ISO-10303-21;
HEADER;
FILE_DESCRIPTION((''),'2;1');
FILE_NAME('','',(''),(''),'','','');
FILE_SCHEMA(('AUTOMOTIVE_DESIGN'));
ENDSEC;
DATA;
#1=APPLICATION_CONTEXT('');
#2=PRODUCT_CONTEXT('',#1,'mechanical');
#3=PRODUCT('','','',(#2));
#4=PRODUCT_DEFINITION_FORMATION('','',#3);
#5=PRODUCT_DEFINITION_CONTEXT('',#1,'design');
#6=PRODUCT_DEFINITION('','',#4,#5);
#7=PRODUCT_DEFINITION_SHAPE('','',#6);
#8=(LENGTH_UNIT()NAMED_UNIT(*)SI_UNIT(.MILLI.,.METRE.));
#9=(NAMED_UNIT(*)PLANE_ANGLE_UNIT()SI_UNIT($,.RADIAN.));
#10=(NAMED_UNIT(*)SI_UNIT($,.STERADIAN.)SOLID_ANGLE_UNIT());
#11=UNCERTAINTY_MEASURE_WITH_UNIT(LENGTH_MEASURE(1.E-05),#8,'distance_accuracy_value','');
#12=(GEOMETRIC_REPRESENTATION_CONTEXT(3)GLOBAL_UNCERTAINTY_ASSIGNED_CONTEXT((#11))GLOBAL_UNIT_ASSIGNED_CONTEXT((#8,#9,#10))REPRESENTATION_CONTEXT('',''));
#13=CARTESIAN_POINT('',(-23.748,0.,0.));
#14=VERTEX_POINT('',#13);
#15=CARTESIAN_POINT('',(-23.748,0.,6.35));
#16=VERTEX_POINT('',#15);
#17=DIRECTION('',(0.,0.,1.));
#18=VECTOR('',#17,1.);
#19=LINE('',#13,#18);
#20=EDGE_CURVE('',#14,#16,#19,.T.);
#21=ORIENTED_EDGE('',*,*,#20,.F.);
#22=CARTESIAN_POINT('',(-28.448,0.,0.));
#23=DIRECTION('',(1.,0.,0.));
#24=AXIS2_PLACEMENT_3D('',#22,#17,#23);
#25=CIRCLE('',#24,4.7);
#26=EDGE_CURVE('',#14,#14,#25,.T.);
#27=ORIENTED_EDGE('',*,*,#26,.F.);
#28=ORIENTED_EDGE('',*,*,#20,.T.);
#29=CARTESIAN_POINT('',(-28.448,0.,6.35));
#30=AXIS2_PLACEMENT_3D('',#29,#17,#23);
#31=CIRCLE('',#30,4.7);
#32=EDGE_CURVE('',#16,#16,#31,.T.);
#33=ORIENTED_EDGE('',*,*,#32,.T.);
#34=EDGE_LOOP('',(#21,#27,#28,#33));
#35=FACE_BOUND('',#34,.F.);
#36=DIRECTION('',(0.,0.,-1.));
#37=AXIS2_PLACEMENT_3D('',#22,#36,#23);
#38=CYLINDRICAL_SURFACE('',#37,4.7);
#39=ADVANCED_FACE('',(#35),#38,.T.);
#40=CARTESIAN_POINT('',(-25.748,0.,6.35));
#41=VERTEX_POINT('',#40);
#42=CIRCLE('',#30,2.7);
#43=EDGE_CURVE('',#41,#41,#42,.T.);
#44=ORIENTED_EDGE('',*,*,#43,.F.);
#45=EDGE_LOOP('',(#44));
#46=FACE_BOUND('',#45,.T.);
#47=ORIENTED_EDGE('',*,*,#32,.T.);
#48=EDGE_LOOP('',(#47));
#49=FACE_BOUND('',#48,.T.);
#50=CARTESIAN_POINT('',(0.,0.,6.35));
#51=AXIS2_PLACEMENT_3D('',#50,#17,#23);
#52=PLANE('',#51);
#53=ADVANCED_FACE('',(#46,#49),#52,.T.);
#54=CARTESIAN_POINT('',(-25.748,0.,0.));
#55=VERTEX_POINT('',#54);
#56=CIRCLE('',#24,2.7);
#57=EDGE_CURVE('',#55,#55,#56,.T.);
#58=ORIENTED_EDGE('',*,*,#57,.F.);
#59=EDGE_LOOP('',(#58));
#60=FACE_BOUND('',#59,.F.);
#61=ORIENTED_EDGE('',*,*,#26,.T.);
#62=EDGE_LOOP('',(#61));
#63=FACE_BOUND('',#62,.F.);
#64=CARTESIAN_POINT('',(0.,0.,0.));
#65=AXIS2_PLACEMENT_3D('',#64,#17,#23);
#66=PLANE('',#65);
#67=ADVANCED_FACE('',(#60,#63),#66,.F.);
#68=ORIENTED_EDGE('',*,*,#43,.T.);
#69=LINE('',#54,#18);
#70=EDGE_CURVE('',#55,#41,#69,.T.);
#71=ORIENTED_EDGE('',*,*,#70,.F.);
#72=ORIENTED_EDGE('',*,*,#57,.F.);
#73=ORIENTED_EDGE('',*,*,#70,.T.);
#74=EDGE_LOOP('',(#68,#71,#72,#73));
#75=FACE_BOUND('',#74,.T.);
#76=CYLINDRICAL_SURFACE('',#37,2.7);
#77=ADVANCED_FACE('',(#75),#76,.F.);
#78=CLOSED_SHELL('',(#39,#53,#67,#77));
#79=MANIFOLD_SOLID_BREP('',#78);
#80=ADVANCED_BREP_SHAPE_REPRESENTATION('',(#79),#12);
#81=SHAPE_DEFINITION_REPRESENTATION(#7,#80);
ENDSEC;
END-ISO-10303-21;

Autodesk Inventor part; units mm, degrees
ref_plane "YZ Plane" through (0, 0, 0) normal (1, 0, 0) x (0, 1, 0)
ref_plane "XZ Plane" through (0, 0, 0) normal (0, 1, 0) x (-1, 0, 0)
ref_plane "XY Plane" through (0, 0, 0) normal (0, 0, 1) x (1, 0, 0)
sketch "Sketch1" plane through (0, 0, 0) normal (0, 0, 1) x (1, 0, 0)
  circle A0 centre (-28.448, 0) radius 2.6 projected
  circle A1 centre (-28.448, 0) radius 2.7
  circle A2 centre (-28.448, 0) radius 4.7
  point P0 (0, 0)
  dimension "d0" = 0.1
  dimension "d1" = 2
extrude "Extrusion1" add sketch "Sketch1" along normal blind 6.35 contours A2
properties part number "bottom spacer"
